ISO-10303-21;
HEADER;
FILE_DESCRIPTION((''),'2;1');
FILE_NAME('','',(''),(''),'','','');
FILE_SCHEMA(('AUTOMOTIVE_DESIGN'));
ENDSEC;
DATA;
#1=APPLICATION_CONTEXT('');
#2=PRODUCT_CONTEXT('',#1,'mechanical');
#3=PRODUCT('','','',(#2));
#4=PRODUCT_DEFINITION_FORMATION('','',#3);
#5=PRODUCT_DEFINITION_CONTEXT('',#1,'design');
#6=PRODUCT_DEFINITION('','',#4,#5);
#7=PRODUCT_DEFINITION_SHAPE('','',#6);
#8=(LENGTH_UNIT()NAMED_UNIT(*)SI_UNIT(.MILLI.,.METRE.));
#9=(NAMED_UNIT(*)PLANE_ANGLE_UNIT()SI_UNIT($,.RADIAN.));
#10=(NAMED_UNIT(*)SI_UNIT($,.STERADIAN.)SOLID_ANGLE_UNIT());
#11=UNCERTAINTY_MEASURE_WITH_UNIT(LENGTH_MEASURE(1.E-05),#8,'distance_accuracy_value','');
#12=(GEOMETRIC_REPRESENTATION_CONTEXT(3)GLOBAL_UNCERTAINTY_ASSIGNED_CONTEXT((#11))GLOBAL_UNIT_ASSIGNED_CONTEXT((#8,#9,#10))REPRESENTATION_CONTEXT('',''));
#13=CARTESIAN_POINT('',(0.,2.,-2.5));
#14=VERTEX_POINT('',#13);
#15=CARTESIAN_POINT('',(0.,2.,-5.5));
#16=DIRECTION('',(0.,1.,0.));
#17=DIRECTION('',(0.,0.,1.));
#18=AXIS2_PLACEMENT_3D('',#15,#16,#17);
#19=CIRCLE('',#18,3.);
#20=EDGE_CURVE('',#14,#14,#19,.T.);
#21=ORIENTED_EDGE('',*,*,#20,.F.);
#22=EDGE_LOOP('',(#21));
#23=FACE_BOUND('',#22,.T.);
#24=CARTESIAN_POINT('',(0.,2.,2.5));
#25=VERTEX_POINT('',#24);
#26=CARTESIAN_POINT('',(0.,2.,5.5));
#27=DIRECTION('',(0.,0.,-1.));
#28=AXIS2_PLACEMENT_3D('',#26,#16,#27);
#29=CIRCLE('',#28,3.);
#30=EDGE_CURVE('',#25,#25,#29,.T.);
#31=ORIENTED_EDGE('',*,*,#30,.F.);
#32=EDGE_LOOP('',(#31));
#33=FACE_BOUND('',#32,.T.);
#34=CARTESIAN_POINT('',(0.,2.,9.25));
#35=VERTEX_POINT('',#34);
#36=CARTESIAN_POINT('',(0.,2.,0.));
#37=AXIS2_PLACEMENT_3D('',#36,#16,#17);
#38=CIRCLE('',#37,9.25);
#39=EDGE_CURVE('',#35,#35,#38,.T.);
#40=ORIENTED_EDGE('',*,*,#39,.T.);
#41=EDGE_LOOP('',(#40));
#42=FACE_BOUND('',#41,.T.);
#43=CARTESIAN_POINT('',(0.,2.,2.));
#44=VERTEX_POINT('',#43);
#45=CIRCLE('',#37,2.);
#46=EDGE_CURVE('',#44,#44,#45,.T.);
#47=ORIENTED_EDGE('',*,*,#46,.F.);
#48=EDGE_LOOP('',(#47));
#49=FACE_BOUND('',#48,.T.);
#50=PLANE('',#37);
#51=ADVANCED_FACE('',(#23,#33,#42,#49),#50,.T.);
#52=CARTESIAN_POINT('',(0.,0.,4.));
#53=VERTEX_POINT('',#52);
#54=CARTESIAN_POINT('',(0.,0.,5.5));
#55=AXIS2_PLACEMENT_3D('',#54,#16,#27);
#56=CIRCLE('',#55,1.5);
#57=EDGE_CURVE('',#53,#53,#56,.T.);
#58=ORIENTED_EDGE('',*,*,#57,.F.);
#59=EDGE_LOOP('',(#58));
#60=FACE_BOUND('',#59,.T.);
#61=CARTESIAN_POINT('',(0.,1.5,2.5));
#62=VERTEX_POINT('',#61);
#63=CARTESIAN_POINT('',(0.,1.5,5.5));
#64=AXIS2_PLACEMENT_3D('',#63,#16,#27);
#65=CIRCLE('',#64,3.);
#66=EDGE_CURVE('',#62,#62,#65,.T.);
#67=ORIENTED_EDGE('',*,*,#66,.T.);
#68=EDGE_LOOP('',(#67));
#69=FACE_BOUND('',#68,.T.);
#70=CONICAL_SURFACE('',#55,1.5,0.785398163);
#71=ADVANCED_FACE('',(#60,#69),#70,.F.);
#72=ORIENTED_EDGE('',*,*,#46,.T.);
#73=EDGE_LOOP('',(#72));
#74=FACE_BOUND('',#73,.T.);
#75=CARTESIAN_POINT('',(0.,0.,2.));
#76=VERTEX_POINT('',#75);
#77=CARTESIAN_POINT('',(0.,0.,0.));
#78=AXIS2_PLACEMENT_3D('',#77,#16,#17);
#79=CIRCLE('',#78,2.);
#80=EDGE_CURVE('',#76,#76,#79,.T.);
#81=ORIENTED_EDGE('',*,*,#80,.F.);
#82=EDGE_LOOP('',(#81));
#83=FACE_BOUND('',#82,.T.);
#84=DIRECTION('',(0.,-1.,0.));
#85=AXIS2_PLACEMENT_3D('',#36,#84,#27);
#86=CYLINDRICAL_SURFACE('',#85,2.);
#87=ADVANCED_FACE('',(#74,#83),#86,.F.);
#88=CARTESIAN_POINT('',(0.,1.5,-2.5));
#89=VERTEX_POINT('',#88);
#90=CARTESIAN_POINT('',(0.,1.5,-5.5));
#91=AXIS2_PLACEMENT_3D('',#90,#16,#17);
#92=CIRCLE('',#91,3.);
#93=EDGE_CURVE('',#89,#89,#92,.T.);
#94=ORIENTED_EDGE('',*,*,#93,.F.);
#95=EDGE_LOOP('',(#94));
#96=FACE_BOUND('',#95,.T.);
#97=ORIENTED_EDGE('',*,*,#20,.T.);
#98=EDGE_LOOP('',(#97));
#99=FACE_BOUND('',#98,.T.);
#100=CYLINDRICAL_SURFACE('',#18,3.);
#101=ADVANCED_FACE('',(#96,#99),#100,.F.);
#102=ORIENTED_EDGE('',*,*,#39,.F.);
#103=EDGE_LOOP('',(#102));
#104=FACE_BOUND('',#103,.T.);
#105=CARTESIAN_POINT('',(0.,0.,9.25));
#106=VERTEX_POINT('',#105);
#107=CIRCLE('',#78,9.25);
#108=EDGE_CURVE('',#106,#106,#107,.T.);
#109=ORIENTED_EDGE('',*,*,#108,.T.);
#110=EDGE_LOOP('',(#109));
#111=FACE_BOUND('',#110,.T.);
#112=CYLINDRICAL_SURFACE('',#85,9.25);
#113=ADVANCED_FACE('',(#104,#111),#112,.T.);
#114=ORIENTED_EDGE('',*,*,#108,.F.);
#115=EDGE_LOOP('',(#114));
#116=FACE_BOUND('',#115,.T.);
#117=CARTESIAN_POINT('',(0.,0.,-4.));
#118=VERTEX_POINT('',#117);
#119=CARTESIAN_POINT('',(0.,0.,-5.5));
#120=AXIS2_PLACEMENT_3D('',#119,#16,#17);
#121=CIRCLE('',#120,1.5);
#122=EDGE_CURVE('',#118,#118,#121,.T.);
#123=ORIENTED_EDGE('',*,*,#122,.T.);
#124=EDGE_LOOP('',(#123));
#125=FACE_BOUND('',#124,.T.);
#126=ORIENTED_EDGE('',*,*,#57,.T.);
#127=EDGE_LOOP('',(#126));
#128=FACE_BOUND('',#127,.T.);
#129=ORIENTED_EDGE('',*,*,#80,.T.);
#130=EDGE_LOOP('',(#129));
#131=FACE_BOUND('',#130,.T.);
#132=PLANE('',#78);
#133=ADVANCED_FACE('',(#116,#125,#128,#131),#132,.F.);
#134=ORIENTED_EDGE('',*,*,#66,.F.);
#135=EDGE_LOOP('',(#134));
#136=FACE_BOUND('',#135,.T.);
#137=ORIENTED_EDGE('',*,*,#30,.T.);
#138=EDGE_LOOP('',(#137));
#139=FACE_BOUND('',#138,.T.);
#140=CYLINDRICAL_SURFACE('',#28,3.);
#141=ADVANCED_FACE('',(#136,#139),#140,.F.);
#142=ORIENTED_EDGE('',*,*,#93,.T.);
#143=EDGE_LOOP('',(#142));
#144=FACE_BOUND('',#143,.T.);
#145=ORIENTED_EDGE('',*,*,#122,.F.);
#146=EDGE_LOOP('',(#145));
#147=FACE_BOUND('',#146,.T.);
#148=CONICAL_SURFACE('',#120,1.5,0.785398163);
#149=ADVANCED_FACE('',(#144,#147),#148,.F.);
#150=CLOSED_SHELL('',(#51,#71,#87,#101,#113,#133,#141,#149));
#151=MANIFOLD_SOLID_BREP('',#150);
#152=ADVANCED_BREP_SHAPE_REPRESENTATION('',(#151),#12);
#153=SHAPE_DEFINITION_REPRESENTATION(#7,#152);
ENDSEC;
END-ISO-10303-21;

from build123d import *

# Parameters (mm, degrees)
SKETCH1_R           = 9.25
SKETCH1_R_2         = 2
BOSS_EXTRUDE1_DEPTH = 2
CIRPATTERN1_COUNT   = 2


with BuildPart() as part:
    # Sketch1 → Boss-Extrude1 (new body)
    with BuildSketch(Plane(origin=(0, 0, 0), x_dir=(1, 0, 0), z_dir=(0, 1, 0))):
        Circle(SKETCH1_R)
        Circle(SKETCH1_R_2, mode=Mode.SUBTRACT)
    extrude(amount=BOSS_EXTRUDE1_DEPTH)

    # Sketch4 → Cut-Revolve1 (revolve, cut)
    with BuildSketch(Plane(origin=(0, 0, 0), x_dir=(0, 0, -1), z_dir=(1, 0, 0))):
        Polygon((5.5, 0), (5.5, 2), (8.5, 2), (8.5, 1.5), (7, 0), align=None)
    cut_revolve1 = revolve(axis=Axis((0, 2, -5.5), (0, -1, 0)), mode=Mode.SUBTRACT)

    # CirPattern1: Cut-Revolve1 ×2 about axis
    cirpattern1_axis = Axis((0, 0, 0), (0, 1, 0))
    for i in range(1, CIRPATTERN1_COUNT):
        add(cut_revolve1.rotate(cirpattern1_axis, i * 360 / CIRPATTERN1_COUNT), mode=Mode.SUBTRACT)


solid = part.part
